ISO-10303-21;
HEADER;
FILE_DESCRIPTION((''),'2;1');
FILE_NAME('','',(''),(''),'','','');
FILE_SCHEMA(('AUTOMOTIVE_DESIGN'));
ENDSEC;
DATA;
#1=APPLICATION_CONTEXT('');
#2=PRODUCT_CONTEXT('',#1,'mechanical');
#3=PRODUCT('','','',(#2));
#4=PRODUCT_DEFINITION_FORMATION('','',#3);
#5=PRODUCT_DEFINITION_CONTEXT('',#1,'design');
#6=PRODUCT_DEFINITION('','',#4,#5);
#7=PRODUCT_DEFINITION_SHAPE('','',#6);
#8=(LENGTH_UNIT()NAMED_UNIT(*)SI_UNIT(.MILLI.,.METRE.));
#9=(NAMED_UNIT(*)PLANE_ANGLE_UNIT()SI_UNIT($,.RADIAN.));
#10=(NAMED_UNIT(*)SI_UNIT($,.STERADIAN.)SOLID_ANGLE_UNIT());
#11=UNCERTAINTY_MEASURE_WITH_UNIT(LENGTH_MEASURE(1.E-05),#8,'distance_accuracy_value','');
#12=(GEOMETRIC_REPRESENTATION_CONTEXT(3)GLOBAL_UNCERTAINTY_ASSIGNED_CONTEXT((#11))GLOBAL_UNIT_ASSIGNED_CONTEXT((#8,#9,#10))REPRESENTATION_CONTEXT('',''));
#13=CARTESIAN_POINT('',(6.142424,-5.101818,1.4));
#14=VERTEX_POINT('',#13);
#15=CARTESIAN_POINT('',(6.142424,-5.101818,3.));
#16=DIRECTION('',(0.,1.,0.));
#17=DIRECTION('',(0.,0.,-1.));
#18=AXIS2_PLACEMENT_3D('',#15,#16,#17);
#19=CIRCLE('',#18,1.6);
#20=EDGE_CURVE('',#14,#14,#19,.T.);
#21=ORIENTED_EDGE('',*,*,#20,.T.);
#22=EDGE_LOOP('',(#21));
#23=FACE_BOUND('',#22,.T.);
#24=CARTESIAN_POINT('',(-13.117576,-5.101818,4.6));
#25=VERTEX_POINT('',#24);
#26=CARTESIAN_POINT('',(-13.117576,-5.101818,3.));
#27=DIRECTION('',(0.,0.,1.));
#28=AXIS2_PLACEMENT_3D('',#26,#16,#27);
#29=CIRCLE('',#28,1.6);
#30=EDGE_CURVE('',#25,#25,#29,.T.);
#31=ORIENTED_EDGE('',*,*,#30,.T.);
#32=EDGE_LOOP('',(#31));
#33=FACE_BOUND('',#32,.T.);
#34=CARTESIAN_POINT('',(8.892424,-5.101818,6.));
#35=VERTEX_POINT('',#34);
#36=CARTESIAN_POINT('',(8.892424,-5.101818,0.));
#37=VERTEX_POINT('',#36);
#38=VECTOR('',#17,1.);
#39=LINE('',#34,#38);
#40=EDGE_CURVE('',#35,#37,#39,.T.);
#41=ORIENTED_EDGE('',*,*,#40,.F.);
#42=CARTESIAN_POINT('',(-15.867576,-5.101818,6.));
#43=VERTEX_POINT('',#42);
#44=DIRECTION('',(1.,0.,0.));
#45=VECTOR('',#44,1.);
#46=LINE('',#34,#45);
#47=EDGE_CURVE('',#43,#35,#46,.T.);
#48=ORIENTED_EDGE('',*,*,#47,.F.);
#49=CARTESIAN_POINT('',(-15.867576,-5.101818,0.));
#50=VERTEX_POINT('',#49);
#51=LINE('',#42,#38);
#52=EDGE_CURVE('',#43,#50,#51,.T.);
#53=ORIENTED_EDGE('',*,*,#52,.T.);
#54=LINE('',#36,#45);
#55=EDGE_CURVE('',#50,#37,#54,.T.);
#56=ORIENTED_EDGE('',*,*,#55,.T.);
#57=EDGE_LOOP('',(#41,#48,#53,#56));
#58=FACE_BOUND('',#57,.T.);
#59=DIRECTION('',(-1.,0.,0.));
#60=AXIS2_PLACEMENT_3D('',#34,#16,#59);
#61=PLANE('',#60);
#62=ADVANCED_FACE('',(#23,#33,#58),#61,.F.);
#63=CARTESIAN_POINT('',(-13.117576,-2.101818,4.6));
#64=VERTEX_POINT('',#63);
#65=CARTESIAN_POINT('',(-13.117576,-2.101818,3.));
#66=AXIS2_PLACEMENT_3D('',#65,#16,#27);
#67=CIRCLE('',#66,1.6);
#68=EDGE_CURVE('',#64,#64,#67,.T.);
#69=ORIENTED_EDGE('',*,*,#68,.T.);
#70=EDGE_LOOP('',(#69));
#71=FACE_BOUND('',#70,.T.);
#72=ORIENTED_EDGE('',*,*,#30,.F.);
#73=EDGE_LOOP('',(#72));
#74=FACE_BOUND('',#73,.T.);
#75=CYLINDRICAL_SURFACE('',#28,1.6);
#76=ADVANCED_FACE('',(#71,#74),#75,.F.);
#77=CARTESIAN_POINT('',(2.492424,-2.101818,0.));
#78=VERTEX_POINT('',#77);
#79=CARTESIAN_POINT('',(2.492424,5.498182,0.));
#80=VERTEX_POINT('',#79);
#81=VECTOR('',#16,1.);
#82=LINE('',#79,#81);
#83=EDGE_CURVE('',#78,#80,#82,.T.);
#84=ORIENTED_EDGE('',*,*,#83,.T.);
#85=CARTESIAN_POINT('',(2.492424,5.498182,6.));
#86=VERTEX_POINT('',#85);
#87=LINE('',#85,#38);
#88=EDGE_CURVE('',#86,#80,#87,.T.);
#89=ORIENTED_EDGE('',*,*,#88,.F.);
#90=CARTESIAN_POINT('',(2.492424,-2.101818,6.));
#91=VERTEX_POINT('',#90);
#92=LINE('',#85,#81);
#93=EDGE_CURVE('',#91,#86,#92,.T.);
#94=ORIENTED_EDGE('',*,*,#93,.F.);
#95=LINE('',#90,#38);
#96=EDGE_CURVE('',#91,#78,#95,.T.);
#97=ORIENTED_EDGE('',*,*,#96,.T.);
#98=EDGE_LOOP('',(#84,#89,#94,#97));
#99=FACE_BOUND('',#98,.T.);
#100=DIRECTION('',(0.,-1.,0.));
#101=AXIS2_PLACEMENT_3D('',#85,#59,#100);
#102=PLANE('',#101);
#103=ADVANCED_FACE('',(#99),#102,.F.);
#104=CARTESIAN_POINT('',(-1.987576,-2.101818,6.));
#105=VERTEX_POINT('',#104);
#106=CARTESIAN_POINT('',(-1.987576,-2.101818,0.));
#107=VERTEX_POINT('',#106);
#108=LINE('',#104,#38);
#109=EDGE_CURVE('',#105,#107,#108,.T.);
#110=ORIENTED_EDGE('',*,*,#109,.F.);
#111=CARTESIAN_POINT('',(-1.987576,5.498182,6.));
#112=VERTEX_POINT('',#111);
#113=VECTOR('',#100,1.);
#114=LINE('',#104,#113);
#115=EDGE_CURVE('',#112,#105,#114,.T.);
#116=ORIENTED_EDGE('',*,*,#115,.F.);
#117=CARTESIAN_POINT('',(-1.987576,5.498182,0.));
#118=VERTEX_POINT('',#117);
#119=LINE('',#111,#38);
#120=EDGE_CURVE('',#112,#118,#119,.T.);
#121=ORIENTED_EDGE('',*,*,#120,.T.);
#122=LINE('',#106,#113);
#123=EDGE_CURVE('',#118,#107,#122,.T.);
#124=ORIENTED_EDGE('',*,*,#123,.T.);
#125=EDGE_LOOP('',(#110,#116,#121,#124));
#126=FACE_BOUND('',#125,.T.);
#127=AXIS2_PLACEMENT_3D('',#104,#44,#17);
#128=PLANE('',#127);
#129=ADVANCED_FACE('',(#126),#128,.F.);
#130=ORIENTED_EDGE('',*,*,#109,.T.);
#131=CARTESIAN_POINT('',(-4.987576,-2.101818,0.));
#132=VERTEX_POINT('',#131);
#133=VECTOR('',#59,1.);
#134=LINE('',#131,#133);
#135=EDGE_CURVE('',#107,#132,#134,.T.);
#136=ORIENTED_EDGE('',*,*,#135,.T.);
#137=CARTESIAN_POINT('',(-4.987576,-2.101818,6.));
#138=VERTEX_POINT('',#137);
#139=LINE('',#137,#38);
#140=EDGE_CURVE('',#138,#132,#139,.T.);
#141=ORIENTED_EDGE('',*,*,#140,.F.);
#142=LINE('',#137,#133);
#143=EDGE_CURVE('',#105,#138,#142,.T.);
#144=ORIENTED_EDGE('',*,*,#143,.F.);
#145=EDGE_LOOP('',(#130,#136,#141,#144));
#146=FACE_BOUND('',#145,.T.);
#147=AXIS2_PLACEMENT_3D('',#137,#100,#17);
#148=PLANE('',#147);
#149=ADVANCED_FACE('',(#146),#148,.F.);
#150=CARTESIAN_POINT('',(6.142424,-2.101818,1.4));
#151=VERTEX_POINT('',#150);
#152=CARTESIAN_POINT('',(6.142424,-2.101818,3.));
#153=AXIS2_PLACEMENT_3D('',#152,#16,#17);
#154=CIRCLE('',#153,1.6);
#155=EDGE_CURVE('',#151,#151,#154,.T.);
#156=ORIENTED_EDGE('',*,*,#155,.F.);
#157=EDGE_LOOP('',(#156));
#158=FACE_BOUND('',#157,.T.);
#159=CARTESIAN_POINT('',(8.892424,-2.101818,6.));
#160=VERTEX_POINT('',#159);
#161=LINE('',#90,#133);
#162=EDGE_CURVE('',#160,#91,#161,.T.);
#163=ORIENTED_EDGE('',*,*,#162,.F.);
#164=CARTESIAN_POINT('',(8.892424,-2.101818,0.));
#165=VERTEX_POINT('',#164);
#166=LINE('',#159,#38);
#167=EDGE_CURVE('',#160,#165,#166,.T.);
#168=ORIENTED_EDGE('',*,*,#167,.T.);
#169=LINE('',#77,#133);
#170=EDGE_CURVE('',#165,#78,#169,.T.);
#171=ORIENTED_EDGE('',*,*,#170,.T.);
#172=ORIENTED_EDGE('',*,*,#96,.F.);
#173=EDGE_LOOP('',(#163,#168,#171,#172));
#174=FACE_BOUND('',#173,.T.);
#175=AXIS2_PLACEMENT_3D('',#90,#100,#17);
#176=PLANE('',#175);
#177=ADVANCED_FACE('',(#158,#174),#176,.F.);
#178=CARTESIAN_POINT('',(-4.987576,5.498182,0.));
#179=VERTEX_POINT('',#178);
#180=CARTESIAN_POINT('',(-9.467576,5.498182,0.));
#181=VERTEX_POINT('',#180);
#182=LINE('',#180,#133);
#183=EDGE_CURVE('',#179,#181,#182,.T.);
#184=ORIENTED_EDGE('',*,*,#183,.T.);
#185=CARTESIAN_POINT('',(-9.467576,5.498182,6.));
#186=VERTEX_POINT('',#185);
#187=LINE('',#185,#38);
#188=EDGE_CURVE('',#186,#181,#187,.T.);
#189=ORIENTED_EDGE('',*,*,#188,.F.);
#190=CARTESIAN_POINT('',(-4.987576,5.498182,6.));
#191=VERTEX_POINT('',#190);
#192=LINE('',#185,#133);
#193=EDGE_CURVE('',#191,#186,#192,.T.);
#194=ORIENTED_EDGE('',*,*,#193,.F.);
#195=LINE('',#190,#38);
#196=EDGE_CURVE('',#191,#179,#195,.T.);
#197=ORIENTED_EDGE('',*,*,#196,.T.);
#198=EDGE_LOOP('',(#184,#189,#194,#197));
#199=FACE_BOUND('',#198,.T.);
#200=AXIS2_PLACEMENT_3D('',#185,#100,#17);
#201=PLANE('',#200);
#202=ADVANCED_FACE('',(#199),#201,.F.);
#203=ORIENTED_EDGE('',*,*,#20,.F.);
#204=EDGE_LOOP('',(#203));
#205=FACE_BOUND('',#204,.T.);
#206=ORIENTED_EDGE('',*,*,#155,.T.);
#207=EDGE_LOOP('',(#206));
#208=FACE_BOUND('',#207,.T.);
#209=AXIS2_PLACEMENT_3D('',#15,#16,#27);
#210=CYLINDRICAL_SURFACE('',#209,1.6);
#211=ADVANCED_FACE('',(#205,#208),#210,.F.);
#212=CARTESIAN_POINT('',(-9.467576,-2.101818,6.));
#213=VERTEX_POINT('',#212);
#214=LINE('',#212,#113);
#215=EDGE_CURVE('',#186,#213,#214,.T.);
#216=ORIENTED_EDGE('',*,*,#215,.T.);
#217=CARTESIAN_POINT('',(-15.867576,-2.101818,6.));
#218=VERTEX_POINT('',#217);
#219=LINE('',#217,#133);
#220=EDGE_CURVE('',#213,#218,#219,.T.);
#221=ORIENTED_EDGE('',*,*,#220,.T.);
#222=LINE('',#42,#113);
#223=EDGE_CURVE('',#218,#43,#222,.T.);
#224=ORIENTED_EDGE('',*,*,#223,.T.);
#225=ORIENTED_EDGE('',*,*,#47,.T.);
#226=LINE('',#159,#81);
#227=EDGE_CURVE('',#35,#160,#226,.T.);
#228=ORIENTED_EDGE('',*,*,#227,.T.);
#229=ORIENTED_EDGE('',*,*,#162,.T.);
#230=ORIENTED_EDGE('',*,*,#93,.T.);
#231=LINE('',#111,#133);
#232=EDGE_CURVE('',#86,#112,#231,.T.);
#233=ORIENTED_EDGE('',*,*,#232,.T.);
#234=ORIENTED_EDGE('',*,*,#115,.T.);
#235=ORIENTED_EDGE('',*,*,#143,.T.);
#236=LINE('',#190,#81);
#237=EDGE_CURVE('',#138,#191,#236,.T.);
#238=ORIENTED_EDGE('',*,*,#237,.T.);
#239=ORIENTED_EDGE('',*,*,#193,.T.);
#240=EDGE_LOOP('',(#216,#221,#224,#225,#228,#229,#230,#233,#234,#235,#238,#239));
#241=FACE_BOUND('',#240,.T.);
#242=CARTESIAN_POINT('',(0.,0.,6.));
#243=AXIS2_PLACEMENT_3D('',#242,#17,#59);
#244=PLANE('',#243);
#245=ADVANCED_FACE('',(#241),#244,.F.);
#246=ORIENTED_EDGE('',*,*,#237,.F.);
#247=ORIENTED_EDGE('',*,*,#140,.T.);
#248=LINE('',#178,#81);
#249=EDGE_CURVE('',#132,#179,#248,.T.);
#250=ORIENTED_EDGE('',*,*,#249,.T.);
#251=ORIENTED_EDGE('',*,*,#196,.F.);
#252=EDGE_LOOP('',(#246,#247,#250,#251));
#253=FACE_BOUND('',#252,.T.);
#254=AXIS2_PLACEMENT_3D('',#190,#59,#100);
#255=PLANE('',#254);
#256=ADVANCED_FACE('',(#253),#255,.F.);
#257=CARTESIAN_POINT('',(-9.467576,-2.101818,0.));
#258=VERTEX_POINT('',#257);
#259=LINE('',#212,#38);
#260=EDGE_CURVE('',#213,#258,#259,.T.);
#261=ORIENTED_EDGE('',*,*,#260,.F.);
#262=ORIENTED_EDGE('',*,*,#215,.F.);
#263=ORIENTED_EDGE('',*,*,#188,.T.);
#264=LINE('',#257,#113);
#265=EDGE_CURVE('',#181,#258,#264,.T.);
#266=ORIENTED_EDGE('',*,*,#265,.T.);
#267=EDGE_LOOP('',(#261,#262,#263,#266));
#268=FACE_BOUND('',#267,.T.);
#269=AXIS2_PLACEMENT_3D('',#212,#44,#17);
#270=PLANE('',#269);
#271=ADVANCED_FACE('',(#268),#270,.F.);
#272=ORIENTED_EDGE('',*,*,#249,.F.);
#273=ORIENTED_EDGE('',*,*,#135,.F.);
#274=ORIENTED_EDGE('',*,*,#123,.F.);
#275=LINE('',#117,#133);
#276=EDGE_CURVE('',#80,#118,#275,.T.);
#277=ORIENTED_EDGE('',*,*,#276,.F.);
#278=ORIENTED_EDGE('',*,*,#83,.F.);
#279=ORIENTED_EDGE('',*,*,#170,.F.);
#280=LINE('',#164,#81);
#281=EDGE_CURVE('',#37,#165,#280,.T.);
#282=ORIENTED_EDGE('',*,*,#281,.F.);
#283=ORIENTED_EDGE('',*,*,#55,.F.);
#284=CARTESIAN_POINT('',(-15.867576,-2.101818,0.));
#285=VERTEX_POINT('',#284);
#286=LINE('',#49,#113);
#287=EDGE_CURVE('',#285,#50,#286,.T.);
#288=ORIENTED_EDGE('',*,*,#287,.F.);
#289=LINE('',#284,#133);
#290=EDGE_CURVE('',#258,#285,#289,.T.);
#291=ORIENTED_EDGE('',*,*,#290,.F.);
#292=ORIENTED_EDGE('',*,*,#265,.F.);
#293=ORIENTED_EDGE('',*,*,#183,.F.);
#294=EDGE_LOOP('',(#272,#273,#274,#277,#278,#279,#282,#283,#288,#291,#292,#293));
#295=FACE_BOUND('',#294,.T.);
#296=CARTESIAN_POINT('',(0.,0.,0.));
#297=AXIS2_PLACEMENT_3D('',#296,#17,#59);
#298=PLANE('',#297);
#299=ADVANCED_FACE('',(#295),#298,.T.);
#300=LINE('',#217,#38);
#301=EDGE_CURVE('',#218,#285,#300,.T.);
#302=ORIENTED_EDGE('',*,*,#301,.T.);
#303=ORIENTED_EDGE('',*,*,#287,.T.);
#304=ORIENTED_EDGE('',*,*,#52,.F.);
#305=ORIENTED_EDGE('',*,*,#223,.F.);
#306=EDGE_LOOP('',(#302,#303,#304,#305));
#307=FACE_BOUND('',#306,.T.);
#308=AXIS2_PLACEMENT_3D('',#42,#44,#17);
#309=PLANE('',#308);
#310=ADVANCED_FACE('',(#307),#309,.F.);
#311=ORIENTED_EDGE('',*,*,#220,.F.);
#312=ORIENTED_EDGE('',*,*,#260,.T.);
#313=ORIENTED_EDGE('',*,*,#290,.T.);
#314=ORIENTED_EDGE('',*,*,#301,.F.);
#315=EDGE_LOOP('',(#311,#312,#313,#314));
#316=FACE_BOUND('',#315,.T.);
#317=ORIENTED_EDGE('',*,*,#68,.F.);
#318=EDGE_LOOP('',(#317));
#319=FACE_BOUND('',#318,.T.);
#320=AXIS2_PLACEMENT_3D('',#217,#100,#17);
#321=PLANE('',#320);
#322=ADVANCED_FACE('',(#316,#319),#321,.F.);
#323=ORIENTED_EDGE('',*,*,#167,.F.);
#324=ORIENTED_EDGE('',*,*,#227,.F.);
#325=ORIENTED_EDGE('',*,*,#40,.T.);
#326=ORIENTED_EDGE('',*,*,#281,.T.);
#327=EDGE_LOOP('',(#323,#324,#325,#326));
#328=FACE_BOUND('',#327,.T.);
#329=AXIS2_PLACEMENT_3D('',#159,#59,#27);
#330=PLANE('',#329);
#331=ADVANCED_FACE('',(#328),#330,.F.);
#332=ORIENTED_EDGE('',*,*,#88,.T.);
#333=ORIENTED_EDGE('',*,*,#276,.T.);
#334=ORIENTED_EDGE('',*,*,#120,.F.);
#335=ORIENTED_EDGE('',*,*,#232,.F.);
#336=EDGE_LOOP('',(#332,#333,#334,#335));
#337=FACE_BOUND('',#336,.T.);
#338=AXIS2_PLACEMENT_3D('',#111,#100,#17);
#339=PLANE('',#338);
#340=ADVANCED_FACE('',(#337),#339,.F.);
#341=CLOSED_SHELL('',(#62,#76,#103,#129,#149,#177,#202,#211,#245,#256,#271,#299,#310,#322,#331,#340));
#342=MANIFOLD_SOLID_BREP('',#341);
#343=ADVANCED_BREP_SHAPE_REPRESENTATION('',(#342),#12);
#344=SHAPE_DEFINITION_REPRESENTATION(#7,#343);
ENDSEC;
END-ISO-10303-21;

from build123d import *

# Parameters (mm, degrees)
SALIENTE_EXTRUIR1_DEPTH = 6
CROQUIS2_R              = 1.6
CORTAR_EXTRUIR1_DEPTH   = 19.588705184


with BuildPart() as part:
    # Croquis1 → Saliente-Extruir1 (new body)
    with BuildSketch(Plane.XY):
        Polygon((-9.467575758, 5.498181818), (-4.987575758, 5.498181818), (-4.987575758, -2.101818182), (-1.987575758, -2.101818182), (-1.987575758, 5.498181818), (2.492424242, 5.498181818), (2.492424242, -2.101818182), (8.892424242, -2.101818182), (8.892424242, -5.101818182), (-15.867575758, -5.101818182), (-15.867575758, -2.101818182), (-9.467575758, -2.101818182), align=None)
    extrude(amount=SALIENTE_EXTRUIR1_DEPTH)

    # Croquis2 → Cortar-Extruir1 (cut, through all)
    with BuildSketch(Plane(origin=(0, -2.101818182, 0), x_dir=(1, 0, 0), z_dir=(0, 1, 0))):
        with Locations(Location((-13.117575758, -3, 0), (0, 0, 270))):
            Circle(CROQUIS2_R)
        with Locations(Location((6.142424242, -3, 0), (0, 0, 90))):
            Circle(CROQUIS2_R)
    extrude(amount=-CORTAR_EXTRUIR1_DEPTH, mode=Mode.SUBTRACT)


solid = part.part
